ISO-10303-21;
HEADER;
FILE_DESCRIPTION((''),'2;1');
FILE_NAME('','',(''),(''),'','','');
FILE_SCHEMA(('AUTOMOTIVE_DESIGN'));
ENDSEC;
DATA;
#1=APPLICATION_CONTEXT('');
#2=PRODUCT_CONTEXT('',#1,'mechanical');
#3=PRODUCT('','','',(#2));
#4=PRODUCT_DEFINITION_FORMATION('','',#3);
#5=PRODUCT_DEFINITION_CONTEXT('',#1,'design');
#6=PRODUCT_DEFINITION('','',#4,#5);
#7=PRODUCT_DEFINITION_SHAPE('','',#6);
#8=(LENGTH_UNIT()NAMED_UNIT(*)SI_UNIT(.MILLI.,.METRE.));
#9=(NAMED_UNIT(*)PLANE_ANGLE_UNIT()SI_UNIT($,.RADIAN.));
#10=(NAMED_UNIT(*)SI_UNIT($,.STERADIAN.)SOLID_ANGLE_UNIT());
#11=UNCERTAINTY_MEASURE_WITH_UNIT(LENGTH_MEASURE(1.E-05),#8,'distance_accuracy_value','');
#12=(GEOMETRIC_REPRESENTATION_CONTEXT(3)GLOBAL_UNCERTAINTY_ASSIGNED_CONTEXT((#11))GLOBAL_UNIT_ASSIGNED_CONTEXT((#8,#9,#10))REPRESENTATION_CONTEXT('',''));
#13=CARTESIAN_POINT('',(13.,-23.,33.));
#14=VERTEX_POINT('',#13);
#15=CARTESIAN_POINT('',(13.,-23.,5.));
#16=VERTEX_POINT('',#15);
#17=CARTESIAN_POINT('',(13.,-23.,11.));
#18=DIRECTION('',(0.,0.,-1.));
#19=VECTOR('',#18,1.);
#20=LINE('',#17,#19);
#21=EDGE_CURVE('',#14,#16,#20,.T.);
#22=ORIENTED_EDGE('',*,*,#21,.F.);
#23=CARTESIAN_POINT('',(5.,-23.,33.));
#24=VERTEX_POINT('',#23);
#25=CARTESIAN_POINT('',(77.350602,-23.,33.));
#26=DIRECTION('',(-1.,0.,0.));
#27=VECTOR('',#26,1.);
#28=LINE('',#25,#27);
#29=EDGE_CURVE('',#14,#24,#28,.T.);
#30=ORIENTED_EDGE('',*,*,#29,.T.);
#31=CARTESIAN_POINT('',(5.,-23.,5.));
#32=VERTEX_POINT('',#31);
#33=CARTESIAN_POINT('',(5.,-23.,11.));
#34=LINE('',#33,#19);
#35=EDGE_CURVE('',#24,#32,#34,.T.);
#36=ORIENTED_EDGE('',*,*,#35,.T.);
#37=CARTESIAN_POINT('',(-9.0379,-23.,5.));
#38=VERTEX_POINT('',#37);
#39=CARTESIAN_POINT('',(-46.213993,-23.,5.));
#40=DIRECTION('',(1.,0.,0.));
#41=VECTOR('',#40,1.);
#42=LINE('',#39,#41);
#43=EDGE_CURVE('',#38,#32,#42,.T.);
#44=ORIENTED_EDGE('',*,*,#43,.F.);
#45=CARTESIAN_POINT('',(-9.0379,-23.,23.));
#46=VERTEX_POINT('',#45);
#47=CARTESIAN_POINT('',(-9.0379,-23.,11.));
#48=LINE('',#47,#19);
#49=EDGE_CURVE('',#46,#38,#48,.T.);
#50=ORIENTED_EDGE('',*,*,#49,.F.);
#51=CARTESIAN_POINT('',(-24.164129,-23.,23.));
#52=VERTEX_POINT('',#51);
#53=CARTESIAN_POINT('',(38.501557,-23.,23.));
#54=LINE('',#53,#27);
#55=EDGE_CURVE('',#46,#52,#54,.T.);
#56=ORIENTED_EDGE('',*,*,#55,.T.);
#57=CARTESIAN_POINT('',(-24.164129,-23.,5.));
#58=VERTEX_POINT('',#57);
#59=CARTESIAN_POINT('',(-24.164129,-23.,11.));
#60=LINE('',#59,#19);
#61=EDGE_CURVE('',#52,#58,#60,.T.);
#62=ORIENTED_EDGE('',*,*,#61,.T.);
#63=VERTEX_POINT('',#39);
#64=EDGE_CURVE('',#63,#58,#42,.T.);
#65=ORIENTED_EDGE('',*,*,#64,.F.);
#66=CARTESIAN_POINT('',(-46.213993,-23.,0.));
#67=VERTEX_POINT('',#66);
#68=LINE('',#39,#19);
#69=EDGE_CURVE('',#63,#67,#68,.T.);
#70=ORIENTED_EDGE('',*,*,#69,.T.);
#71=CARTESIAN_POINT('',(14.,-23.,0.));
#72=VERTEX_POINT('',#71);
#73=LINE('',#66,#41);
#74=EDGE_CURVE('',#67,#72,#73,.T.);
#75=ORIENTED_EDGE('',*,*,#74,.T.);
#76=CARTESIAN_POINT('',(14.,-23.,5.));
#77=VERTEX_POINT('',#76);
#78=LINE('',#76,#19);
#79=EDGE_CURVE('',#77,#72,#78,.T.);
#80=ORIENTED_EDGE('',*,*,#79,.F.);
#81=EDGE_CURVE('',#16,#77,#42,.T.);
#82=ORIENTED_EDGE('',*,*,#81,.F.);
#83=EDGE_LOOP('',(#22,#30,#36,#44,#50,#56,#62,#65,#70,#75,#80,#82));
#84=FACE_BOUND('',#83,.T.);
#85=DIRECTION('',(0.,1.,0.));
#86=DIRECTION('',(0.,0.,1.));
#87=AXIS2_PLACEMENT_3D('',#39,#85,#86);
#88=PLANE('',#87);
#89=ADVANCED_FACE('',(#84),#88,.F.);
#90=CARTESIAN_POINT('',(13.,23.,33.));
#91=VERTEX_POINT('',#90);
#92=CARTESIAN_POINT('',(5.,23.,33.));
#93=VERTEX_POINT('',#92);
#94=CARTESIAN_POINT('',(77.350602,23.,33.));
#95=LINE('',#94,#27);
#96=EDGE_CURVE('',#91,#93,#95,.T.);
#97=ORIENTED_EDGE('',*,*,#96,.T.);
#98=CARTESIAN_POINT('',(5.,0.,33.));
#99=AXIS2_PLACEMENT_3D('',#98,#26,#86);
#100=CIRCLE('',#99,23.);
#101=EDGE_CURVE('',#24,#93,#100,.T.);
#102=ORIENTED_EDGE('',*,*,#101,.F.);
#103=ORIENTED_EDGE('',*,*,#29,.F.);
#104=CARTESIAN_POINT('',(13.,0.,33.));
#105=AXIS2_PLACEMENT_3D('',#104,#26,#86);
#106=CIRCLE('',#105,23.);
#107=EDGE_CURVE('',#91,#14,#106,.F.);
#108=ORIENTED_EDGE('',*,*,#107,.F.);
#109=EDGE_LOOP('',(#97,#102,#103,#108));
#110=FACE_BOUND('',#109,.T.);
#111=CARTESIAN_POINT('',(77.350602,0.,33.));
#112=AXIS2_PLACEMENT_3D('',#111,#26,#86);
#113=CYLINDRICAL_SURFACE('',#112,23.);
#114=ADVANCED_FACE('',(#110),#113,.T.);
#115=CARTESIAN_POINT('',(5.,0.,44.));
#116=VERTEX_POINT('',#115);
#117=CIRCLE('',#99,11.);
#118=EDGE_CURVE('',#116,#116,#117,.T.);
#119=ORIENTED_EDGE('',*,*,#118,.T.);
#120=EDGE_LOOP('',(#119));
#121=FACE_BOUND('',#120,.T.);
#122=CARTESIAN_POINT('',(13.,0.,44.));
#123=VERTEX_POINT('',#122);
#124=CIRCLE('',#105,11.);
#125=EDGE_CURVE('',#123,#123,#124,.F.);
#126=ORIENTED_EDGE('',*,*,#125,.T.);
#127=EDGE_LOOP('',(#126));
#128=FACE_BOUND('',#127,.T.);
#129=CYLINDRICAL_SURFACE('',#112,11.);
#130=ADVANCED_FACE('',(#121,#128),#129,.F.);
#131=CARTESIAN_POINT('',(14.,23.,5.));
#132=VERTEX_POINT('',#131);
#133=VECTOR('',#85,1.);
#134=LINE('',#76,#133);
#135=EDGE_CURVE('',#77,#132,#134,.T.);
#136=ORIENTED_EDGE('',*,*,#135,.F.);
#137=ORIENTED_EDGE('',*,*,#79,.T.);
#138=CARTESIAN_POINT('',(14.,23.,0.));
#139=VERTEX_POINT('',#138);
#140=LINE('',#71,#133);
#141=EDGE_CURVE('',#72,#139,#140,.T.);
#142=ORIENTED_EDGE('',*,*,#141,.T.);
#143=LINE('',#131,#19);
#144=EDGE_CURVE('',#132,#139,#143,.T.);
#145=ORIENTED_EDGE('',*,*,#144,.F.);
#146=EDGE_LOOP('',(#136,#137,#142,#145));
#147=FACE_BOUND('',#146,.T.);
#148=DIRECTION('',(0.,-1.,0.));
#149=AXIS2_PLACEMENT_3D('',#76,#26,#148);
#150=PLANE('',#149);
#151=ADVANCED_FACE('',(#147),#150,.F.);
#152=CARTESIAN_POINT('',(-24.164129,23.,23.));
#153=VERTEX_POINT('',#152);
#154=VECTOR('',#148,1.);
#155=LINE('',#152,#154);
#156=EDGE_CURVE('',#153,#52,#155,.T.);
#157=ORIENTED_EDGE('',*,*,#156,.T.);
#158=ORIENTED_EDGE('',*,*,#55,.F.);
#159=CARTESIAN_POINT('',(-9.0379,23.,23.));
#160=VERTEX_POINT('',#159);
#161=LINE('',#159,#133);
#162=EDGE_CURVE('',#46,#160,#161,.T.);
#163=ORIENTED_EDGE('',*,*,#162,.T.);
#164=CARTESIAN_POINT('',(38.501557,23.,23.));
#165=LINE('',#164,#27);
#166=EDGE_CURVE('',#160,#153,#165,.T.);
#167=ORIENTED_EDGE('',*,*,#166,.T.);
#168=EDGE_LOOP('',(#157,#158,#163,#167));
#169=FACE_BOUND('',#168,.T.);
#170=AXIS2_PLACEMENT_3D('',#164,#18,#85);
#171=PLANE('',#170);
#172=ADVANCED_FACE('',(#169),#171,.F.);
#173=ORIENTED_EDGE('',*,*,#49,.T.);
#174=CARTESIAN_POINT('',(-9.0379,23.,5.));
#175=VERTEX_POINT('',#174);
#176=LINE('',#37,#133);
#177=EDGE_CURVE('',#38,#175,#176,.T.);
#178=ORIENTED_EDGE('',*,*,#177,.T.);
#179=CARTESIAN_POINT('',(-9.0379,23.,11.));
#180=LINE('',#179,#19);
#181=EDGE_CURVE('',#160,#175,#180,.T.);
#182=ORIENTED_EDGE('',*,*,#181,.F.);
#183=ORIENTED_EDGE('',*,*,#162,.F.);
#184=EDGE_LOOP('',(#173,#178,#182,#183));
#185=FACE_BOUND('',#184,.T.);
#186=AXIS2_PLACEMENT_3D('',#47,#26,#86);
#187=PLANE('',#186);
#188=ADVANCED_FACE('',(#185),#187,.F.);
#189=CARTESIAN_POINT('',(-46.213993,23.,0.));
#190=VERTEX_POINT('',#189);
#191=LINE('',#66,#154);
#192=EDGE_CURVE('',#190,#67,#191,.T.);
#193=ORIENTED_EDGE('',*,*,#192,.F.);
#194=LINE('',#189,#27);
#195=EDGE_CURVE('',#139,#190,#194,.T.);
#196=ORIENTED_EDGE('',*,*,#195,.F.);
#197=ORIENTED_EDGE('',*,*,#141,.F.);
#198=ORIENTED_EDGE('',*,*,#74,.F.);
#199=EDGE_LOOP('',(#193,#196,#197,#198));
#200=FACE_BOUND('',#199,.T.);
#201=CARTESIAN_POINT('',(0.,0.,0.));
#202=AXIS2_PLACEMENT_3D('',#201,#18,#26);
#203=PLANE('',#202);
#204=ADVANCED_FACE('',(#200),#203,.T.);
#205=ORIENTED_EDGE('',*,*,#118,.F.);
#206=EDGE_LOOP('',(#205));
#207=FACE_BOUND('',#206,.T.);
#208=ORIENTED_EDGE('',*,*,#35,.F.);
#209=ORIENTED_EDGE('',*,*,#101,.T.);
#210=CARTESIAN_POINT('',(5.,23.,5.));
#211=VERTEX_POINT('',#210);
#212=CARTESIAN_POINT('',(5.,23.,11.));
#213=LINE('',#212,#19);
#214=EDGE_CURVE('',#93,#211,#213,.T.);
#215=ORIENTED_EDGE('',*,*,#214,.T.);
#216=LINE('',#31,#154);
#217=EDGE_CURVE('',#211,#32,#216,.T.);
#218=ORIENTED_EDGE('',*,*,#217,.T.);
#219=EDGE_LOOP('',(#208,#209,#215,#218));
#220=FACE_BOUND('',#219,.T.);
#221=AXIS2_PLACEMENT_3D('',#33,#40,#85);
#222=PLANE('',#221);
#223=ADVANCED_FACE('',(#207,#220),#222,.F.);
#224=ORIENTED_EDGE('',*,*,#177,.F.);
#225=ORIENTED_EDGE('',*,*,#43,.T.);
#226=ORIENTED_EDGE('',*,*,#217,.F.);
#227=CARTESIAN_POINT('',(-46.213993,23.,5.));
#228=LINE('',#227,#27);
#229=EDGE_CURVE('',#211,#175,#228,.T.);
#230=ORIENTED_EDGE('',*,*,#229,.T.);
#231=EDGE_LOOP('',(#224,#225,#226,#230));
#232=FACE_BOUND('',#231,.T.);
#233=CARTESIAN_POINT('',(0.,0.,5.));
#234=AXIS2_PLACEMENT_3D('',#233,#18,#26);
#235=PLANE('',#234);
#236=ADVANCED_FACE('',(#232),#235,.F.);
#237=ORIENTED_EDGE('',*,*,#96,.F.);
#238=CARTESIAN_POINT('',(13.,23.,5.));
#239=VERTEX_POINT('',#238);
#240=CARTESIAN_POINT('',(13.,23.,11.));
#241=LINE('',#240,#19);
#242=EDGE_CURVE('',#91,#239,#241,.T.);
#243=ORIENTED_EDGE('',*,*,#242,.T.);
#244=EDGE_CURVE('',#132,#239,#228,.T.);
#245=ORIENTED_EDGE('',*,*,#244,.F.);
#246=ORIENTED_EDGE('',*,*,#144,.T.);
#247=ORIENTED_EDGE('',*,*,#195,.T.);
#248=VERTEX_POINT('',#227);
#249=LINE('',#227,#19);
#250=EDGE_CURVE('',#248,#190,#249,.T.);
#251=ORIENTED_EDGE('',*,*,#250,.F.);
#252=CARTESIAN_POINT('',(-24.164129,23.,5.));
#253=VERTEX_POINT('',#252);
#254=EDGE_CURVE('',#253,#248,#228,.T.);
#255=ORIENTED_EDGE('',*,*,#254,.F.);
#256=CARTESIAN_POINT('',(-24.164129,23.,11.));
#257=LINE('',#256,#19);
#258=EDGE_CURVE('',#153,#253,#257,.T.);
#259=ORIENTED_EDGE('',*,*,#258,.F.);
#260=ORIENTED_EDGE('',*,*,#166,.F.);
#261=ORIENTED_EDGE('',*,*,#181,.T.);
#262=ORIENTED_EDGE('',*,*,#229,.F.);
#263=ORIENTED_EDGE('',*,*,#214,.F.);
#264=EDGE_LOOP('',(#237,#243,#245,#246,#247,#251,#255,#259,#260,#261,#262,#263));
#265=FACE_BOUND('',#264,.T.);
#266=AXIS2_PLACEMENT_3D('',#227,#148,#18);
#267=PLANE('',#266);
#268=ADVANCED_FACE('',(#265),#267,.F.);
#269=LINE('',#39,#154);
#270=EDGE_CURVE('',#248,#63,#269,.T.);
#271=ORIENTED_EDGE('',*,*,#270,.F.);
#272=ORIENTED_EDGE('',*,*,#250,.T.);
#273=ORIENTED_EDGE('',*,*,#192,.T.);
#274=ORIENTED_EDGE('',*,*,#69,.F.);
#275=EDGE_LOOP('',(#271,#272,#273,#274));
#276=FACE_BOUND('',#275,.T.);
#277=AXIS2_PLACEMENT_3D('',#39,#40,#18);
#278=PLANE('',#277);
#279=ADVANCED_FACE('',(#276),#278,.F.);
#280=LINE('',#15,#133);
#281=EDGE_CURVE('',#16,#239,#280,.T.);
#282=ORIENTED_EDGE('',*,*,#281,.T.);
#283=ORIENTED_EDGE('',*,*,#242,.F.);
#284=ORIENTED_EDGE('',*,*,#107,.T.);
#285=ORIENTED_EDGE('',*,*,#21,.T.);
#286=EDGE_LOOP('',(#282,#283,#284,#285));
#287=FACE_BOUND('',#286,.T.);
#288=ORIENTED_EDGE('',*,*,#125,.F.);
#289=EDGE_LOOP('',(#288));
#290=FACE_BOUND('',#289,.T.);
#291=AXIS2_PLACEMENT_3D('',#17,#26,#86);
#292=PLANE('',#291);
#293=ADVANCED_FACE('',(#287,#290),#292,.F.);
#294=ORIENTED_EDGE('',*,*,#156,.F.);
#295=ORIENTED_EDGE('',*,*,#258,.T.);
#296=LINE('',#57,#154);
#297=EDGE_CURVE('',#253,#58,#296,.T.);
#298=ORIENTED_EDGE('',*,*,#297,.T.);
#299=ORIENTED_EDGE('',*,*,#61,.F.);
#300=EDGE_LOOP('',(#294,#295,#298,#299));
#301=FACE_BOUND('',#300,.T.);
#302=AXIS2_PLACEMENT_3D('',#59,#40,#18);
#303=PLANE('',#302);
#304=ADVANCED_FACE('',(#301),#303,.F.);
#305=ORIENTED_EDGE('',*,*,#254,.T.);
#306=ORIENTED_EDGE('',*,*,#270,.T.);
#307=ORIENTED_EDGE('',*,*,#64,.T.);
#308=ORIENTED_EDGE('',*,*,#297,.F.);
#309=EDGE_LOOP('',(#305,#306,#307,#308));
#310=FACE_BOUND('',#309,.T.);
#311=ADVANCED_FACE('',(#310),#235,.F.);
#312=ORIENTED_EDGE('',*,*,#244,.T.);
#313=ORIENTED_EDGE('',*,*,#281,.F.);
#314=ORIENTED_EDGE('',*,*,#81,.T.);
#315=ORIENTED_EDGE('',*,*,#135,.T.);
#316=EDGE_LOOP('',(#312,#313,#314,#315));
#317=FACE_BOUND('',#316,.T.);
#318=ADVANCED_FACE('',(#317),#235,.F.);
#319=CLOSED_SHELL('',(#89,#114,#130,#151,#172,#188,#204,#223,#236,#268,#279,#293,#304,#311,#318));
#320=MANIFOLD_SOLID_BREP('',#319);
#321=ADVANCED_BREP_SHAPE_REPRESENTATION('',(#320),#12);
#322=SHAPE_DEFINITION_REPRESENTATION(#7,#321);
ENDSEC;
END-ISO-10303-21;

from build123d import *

# Parameters (mm, degrees)
ESQUISSE1_W        = 60.213993324
ESQUISSE1_H        = 46
BOSS_EXTRU_1_DEPTH = 5
ESQUISSE2_W        = 8
ESQUISSE2_H        = 46
ESQUISSE2_W_2      = 15.12622911
BOSS_EXTRU_2_DEPTH = 6
ESQUISSE8_R        = 11
BOSS_EXTRU_4_DEPTH = 8
ESQUISSE10_W       = 12
ESQUISSE10_H       = 46
BOSS_EXTRU_5_DEPTH = 15.12622911


with BuildPart() as part:
    # Esquisse1 → Boss.-Extru.1 (new body)
    with BuildSketch(Plane.XY):
        with Locations((-16.106996662, 0)):
            Rectangle(ESQUISSE1_W, ESQUISSE1_H)
    extrude(amount=BOSS_EXTRU_1_DEPTH)

    # Esquisse2 → Boss.-Extru.2 (add)
    with BuildSketch(Plane.XY.offset(5)):
        with Locations((9, 0)):
            Rectangle(ESQUISSE2_W, ESQUISSE2_H)
        with Locations((-16.60101476, 0)):
            Rectangle(ESQUISSE2_W_2, ESQUISSE2_H)
    extrude(amount=BOSS_EXTRU_2_DEPTH)

    # Esquisse8 → Boss.-Extru.4 (add)
    with BuildSketch(Plane.ZY.offset(-5)):
        with BuildLine():
            Line((33, -23), (11, -23))
            Line((11, -23), (11, 23))
            Line((11, 23), (33, 23))
            ThreePointArc((33, 23), (56, 0), (33, -23))
        make_face()
        with Locations((33, 0)):
            Circle(ESQUISSE8_R, mode=Mode.SUBTRACT)
    extrude(amount=-BOSS_EXTRU_4_DEPTH)

    # Esquisse10 → Boss.-Extru.5 (add)
    with BuildSketch(Plane.ZY.offset(24.164129315)):
        with Locations((17, 0)):
            Rectangle(ESQUISSE10_W, ESQUISSE10_H)
    extrude(amount=-BOSS_EXTRU_5_DEPTH)


solid = part.part
